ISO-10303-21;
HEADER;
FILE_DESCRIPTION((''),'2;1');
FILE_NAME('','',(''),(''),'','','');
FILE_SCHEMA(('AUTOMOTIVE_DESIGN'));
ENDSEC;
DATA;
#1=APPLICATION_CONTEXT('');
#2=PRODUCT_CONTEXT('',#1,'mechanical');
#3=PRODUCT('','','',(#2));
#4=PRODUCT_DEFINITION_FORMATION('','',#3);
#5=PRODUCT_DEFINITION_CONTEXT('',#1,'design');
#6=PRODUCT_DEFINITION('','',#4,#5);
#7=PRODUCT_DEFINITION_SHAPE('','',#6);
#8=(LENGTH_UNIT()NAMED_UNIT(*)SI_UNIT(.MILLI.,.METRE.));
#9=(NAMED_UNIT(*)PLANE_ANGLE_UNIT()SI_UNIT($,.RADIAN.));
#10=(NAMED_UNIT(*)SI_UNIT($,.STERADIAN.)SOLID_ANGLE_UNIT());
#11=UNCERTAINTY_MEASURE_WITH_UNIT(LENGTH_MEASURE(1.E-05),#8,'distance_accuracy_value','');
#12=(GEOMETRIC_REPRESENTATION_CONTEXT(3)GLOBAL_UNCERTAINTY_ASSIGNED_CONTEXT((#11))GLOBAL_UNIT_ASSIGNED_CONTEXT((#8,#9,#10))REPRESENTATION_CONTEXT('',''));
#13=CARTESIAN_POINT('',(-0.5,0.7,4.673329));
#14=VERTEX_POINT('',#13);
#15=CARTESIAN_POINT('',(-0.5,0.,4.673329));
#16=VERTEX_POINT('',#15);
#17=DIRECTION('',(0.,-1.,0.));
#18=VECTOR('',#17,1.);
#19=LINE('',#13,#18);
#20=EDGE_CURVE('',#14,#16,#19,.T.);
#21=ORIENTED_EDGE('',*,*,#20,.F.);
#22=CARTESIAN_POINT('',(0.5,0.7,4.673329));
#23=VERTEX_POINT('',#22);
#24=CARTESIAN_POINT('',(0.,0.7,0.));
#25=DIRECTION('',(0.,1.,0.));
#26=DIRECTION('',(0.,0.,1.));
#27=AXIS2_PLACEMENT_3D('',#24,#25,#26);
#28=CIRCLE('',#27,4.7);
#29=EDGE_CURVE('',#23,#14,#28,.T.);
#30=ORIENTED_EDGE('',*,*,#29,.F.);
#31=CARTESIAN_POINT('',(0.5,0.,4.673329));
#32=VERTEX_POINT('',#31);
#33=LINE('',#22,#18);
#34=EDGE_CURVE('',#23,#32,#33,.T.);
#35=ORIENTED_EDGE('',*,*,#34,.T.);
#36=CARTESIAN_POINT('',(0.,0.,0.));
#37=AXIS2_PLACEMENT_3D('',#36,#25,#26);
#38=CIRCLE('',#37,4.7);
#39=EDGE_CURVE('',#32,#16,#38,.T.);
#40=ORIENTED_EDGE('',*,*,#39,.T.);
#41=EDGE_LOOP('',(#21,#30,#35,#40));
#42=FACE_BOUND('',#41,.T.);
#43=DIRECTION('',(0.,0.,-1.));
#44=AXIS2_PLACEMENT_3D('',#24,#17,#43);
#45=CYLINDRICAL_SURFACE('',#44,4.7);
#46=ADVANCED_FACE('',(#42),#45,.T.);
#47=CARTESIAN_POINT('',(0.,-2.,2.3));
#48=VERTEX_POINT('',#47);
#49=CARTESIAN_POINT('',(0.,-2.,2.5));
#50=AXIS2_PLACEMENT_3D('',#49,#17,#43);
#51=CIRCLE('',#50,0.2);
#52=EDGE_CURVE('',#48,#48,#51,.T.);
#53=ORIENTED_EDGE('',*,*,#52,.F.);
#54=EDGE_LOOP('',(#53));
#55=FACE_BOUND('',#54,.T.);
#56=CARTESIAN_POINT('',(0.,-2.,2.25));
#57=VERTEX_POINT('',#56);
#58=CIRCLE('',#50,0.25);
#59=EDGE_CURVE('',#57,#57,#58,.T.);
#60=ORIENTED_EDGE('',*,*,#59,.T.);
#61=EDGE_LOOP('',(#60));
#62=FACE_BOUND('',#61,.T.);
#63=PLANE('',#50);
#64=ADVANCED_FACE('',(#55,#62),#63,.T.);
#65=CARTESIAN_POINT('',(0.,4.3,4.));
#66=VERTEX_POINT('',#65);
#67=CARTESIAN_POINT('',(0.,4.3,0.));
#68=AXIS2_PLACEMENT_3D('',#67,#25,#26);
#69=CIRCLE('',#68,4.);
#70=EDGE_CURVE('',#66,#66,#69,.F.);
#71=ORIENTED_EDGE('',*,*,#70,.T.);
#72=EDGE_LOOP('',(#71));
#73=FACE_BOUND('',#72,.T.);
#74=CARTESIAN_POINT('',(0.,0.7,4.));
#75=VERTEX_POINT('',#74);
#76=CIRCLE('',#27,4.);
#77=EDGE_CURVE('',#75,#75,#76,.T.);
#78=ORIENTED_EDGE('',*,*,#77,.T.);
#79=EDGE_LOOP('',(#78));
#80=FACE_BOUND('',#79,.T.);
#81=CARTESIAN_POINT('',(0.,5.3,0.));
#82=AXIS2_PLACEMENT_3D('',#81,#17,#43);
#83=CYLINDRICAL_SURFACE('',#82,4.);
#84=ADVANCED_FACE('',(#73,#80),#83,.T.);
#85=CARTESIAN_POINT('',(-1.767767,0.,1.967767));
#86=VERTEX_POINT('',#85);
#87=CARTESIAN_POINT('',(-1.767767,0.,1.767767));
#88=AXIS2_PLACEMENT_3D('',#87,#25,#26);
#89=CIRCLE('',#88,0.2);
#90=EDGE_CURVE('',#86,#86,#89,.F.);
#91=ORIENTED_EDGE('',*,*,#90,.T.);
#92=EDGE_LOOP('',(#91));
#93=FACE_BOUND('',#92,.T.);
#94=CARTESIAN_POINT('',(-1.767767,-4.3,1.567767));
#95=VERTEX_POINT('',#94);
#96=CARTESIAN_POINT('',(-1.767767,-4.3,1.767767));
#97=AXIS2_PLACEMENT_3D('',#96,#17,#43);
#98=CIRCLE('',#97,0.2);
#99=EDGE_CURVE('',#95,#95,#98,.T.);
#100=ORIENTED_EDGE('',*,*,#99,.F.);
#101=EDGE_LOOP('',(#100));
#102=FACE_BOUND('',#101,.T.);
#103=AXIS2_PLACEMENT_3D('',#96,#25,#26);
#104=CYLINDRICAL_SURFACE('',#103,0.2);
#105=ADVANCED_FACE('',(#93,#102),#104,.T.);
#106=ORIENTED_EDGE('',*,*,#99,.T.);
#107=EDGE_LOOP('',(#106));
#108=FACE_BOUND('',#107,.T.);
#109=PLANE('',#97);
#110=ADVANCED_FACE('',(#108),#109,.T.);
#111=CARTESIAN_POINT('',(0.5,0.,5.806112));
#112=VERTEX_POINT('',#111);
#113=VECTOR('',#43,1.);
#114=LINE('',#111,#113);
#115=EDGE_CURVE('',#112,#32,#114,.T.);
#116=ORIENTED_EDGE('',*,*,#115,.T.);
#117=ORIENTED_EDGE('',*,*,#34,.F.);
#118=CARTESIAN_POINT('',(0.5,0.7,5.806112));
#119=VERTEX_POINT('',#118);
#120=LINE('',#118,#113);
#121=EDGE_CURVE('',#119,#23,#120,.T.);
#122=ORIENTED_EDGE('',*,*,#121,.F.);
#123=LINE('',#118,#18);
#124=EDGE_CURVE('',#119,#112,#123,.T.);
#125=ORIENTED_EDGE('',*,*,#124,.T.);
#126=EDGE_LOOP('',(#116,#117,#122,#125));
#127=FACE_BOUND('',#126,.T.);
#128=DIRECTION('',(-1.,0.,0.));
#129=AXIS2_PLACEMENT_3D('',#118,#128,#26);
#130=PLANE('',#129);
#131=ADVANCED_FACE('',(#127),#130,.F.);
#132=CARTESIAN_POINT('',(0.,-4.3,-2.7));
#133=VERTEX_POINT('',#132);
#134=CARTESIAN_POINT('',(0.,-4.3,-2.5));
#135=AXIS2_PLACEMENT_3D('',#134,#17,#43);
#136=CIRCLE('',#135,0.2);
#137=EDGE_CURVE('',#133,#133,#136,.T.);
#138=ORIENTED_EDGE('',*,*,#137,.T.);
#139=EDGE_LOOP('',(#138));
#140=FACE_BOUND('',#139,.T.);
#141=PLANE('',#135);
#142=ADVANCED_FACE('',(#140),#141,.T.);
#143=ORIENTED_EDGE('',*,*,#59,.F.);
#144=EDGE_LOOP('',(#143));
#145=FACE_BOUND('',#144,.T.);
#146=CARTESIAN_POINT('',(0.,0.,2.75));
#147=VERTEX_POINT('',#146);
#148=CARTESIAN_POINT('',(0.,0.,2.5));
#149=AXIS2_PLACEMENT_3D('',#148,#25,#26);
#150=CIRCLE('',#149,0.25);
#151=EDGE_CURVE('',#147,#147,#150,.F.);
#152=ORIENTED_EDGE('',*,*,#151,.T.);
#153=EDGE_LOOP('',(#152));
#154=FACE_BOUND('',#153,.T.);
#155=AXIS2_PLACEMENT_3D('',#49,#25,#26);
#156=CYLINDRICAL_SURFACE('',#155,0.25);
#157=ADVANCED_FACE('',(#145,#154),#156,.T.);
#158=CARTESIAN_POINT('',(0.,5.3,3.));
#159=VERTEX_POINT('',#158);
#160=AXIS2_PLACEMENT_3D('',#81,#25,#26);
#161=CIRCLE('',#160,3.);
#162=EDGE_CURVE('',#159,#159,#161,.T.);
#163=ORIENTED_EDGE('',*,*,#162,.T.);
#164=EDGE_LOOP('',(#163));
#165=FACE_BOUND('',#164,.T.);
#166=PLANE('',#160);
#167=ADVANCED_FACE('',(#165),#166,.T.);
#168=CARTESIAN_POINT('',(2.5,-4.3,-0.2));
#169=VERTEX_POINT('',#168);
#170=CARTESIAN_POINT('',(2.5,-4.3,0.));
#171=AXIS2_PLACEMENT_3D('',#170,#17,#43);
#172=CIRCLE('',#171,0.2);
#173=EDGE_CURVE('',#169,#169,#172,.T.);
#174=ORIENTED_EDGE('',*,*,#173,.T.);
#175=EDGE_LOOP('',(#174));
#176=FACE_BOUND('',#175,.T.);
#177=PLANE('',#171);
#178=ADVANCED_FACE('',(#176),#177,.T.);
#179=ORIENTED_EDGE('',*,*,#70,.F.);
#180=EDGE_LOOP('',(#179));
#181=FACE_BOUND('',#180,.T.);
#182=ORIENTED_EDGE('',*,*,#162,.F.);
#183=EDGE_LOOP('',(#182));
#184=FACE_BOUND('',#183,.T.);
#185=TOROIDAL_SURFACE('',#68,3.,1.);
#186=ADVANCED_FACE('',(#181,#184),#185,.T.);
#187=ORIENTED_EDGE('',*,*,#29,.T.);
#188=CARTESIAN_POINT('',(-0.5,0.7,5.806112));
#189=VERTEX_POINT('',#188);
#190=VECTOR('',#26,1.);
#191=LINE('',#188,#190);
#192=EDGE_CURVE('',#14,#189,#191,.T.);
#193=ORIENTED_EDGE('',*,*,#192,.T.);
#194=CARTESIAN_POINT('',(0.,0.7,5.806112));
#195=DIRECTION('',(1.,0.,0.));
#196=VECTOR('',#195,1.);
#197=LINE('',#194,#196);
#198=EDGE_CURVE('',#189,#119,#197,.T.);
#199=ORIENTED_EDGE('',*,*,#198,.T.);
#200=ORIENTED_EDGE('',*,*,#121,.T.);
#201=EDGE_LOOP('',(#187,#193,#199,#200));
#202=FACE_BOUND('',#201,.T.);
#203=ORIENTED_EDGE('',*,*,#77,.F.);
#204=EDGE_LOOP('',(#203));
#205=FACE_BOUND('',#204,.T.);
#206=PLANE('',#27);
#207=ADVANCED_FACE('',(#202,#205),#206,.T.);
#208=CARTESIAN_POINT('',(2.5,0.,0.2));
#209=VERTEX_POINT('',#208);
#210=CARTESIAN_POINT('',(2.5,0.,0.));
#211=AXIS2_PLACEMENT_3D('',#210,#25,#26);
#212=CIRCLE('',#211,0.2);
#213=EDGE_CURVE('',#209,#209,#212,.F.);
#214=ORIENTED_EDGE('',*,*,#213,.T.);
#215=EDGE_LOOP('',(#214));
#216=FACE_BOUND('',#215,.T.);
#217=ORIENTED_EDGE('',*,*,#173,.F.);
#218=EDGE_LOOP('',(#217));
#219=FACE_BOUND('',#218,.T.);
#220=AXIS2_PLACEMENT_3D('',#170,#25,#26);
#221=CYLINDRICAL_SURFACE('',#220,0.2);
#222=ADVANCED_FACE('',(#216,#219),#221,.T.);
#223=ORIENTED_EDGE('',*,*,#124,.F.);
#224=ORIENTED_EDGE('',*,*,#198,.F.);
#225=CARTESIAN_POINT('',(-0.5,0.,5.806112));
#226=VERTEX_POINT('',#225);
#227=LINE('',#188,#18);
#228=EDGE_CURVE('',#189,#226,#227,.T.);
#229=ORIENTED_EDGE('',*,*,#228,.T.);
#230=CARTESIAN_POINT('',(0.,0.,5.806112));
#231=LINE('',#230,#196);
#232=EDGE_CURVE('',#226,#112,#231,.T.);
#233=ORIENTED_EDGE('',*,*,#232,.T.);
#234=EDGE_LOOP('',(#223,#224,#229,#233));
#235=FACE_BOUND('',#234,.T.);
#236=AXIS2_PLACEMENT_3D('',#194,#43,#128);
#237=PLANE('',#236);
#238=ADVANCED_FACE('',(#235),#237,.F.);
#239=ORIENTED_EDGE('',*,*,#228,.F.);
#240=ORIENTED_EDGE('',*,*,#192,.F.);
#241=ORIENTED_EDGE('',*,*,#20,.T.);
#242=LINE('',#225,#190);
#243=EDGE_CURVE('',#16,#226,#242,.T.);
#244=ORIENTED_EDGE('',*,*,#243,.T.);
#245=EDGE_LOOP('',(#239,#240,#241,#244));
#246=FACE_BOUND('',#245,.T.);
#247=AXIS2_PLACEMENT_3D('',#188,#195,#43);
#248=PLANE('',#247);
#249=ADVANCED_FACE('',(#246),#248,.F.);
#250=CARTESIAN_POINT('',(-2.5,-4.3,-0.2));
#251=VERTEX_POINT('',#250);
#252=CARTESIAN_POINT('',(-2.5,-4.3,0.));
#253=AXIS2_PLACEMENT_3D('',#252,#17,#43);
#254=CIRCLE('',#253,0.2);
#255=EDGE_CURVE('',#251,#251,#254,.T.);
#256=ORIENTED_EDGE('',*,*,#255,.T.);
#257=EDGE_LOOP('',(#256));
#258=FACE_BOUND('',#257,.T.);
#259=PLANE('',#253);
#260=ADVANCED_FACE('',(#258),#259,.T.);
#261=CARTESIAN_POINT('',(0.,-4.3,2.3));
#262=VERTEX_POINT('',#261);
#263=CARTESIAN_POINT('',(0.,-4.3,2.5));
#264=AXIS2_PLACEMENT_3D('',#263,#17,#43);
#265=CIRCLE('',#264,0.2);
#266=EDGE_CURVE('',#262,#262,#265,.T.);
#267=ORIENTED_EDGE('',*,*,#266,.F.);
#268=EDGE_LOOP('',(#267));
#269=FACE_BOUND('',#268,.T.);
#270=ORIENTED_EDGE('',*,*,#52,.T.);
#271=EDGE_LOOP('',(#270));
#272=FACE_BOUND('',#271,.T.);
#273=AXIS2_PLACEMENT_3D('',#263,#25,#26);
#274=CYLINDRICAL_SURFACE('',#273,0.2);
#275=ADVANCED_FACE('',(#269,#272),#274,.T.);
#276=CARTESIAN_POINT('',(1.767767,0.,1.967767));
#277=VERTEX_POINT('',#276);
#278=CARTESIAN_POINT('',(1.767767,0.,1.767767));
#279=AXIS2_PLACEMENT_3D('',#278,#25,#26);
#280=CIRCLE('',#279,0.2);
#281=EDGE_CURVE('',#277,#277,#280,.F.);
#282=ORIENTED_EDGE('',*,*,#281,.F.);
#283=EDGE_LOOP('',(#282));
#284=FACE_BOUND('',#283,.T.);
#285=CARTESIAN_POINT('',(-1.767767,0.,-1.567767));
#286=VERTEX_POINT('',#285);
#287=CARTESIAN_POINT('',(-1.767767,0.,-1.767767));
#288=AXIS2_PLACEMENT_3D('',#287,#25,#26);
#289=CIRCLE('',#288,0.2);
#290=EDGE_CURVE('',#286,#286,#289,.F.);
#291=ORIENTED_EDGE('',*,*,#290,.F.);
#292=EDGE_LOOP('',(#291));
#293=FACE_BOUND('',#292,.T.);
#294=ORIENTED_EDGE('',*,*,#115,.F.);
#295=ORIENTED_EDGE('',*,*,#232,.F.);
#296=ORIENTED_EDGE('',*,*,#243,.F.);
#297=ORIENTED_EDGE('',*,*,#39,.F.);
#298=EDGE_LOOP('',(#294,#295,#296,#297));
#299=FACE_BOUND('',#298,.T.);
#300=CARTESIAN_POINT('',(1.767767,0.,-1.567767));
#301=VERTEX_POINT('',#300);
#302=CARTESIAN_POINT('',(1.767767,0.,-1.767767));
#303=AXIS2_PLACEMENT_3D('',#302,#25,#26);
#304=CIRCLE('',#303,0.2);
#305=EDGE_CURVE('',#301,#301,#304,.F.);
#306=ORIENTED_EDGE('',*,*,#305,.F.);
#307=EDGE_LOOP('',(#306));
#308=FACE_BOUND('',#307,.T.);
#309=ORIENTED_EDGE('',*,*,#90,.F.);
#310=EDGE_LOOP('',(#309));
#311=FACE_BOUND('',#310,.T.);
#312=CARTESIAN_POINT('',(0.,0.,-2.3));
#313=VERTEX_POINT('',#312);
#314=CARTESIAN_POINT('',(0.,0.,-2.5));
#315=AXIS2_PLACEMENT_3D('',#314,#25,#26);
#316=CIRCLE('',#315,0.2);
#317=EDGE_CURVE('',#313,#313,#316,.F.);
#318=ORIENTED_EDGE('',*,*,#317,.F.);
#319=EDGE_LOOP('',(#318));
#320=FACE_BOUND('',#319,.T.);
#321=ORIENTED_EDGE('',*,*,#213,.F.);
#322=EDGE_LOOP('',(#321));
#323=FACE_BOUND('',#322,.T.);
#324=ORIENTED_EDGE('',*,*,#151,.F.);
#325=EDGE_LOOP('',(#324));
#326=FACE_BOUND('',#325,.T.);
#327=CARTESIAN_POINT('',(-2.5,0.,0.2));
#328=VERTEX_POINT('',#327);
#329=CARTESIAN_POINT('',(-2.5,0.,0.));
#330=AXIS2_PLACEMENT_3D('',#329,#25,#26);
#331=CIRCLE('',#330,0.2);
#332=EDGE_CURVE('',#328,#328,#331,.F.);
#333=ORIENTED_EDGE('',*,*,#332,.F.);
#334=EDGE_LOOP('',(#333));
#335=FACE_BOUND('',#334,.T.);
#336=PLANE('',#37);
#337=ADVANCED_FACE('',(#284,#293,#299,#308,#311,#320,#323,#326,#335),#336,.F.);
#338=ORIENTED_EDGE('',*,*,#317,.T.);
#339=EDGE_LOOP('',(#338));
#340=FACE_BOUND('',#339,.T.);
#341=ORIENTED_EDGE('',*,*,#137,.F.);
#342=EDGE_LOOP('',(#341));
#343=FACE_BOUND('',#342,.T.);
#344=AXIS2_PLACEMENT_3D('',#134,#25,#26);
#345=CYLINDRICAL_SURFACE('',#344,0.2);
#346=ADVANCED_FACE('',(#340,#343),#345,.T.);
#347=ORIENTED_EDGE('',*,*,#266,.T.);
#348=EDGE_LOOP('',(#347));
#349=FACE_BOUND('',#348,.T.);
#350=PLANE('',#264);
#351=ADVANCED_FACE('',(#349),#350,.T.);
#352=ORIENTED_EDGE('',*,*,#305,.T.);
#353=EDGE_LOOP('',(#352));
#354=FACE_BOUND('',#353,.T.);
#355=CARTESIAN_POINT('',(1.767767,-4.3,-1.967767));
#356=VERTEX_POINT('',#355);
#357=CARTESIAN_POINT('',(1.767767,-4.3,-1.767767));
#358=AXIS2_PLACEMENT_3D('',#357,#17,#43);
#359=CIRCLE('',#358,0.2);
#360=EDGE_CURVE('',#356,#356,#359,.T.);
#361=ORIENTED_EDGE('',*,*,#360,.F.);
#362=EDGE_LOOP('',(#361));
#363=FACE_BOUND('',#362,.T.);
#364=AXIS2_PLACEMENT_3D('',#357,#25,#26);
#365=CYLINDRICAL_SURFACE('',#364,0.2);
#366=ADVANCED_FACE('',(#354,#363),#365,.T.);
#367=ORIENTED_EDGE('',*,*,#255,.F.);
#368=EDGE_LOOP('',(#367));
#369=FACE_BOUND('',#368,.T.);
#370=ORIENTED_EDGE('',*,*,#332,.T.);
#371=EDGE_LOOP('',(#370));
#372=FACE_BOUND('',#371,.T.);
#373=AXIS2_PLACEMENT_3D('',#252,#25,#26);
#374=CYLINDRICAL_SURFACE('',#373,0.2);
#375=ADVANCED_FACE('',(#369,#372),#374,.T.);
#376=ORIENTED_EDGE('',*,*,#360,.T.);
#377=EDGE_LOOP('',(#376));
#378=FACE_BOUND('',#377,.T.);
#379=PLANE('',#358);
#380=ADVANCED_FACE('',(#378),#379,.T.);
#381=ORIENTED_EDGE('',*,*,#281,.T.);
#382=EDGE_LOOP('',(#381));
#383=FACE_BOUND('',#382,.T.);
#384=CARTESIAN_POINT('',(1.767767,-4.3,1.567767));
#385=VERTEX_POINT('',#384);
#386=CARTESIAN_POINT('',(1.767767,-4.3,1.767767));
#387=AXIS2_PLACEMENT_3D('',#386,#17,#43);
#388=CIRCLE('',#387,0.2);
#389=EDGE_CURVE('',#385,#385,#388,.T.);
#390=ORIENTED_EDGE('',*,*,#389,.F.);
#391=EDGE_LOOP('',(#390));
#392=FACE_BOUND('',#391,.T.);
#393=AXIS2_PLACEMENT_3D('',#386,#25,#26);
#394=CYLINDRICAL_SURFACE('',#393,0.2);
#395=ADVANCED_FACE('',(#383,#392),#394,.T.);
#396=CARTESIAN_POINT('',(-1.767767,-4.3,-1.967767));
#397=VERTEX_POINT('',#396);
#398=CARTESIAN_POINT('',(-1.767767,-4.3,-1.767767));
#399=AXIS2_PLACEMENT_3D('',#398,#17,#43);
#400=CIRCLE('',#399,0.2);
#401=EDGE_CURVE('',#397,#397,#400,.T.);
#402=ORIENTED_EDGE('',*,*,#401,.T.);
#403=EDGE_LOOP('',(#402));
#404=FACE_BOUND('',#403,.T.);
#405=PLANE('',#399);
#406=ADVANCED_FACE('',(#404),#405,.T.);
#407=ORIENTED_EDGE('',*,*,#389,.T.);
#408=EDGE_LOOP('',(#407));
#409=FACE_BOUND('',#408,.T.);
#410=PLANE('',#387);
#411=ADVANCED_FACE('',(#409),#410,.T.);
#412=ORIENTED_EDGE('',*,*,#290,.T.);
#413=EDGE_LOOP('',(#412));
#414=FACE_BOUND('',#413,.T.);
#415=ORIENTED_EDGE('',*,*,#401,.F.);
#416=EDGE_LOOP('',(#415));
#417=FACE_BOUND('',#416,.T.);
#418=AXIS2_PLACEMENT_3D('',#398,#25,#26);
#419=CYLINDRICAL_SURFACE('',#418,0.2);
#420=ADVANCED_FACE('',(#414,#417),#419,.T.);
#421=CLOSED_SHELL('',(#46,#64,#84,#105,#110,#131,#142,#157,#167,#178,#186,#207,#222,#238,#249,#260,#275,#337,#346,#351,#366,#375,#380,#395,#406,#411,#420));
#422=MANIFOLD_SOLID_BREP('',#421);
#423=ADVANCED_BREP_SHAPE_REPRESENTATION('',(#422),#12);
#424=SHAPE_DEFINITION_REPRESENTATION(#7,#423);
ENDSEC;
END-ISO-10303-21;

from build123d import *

# Parameters (mm, degrees)
EXTRUDE_1_DEPTH = 0.7
SKETCH_2_R      = 4
EXTRUDE_2_DEPTH = 4.6
FILLET_1_R      = 1
SKETCH_4_R      = 0.2
EXTRUDE_3_DEPTH = 4.3
SKETCH_5_R      = 0.25
EXTRUDE_4_DEPTH = 2


with BuildPart() as part:
    # Эскиз1 → Бобышка-Вытянуть1 (new body)
    with BuildSketch(Plane(origin=(0, 0, 0), x_dir=(1, 0, 0), z_dir=(0, 1, 0))):
        with BuildLine():
            Line((0, -5.806112013), (0.5, -5.806112013))
            Line((0.5, -5.806112013), (0.5, -4.673328578))
            ThreePointArc((0.5, -4.673328578), (0, 4.7), (-0.5, -4.673328578))
            Line((-0.5, -4.673328578), (-0.5, -5.806112013))
            Line((-0.5, -5.806112013), (0, -5.806112013))
        make_face()
    extrude(amount=EXTRUDE_1_DEPTH)

    # Эскиз2 → Бобышка-Вытянуть2 (add)
    with BuildSketch(Plane(origin=(0, 0.7, 0), x_dir=(1, 0, 0), z_dir=(0, 1, 0))):
        with Locations(Location((0, 0, 0), (0, 0, 270))):
            Circle(SKETCH_2_R)
    extrude(amount=EXTRUDE_2_DEPTH)

    # Скругление1
    fillet_1_edges = [part.edges().sort_by_distance(p)[0] for p in [
        (0, 5.3, -4),
    ]]
    fillet(fillet_1_edges, radius=FILLET_1_R)

    # Эскиз4 → Бобышка-Вытянуть3 (add)
    with BuildSketch(Plane.XZ):
        with Locations(Location((2.5, 0, 0), (0, 0, 90))):
            Circle(SKETCH_4_R)
        with Locations(Location((1.767766953, -1.767766953, 0), (0, 0, 90))):
            Circle(SKETCH_4_R)
        with Locations(Location((0, -2.5, 0), (0, 0, 90))):
            Circle(SKETCH_4_R)
        with Locations(Location((-1.767766953, -1.767766953, 0), (0, 0, 90))):
            Circle(SKETCH_4_R)
        with Locations(Location((-2.5, 0, 0), (0, 0, 90))):
            Circle(SKETCH_4_R)
        with Locations(Location((-1.767766953, 1.767766953, 0), (0, 0, 90))):
            Circle(SKETCH_4_R)
        with Locations(Location((0, 2.5, 0), (0, 0, 90))):
            Circle(SKETCH_4_R)
        with Locations(Location((1.767766953, 1.767766953, 0), (0, 0, 90))):
            Circle(SKETCH_4_R)
    extrude(amount=EXTRUDE_3_DEPTH)

    # Эскиз5 → Бобышка-Вытянуть4 (add)
    with BuildSketch(Plane.XZ):
        with Locations(Location((0, 2.5, 0), (0, 0, 90))):
            Circle(SKETCH_5_R)
    extrude(amount=EXTRUDE_4_DEPTH)


solid = part.part
